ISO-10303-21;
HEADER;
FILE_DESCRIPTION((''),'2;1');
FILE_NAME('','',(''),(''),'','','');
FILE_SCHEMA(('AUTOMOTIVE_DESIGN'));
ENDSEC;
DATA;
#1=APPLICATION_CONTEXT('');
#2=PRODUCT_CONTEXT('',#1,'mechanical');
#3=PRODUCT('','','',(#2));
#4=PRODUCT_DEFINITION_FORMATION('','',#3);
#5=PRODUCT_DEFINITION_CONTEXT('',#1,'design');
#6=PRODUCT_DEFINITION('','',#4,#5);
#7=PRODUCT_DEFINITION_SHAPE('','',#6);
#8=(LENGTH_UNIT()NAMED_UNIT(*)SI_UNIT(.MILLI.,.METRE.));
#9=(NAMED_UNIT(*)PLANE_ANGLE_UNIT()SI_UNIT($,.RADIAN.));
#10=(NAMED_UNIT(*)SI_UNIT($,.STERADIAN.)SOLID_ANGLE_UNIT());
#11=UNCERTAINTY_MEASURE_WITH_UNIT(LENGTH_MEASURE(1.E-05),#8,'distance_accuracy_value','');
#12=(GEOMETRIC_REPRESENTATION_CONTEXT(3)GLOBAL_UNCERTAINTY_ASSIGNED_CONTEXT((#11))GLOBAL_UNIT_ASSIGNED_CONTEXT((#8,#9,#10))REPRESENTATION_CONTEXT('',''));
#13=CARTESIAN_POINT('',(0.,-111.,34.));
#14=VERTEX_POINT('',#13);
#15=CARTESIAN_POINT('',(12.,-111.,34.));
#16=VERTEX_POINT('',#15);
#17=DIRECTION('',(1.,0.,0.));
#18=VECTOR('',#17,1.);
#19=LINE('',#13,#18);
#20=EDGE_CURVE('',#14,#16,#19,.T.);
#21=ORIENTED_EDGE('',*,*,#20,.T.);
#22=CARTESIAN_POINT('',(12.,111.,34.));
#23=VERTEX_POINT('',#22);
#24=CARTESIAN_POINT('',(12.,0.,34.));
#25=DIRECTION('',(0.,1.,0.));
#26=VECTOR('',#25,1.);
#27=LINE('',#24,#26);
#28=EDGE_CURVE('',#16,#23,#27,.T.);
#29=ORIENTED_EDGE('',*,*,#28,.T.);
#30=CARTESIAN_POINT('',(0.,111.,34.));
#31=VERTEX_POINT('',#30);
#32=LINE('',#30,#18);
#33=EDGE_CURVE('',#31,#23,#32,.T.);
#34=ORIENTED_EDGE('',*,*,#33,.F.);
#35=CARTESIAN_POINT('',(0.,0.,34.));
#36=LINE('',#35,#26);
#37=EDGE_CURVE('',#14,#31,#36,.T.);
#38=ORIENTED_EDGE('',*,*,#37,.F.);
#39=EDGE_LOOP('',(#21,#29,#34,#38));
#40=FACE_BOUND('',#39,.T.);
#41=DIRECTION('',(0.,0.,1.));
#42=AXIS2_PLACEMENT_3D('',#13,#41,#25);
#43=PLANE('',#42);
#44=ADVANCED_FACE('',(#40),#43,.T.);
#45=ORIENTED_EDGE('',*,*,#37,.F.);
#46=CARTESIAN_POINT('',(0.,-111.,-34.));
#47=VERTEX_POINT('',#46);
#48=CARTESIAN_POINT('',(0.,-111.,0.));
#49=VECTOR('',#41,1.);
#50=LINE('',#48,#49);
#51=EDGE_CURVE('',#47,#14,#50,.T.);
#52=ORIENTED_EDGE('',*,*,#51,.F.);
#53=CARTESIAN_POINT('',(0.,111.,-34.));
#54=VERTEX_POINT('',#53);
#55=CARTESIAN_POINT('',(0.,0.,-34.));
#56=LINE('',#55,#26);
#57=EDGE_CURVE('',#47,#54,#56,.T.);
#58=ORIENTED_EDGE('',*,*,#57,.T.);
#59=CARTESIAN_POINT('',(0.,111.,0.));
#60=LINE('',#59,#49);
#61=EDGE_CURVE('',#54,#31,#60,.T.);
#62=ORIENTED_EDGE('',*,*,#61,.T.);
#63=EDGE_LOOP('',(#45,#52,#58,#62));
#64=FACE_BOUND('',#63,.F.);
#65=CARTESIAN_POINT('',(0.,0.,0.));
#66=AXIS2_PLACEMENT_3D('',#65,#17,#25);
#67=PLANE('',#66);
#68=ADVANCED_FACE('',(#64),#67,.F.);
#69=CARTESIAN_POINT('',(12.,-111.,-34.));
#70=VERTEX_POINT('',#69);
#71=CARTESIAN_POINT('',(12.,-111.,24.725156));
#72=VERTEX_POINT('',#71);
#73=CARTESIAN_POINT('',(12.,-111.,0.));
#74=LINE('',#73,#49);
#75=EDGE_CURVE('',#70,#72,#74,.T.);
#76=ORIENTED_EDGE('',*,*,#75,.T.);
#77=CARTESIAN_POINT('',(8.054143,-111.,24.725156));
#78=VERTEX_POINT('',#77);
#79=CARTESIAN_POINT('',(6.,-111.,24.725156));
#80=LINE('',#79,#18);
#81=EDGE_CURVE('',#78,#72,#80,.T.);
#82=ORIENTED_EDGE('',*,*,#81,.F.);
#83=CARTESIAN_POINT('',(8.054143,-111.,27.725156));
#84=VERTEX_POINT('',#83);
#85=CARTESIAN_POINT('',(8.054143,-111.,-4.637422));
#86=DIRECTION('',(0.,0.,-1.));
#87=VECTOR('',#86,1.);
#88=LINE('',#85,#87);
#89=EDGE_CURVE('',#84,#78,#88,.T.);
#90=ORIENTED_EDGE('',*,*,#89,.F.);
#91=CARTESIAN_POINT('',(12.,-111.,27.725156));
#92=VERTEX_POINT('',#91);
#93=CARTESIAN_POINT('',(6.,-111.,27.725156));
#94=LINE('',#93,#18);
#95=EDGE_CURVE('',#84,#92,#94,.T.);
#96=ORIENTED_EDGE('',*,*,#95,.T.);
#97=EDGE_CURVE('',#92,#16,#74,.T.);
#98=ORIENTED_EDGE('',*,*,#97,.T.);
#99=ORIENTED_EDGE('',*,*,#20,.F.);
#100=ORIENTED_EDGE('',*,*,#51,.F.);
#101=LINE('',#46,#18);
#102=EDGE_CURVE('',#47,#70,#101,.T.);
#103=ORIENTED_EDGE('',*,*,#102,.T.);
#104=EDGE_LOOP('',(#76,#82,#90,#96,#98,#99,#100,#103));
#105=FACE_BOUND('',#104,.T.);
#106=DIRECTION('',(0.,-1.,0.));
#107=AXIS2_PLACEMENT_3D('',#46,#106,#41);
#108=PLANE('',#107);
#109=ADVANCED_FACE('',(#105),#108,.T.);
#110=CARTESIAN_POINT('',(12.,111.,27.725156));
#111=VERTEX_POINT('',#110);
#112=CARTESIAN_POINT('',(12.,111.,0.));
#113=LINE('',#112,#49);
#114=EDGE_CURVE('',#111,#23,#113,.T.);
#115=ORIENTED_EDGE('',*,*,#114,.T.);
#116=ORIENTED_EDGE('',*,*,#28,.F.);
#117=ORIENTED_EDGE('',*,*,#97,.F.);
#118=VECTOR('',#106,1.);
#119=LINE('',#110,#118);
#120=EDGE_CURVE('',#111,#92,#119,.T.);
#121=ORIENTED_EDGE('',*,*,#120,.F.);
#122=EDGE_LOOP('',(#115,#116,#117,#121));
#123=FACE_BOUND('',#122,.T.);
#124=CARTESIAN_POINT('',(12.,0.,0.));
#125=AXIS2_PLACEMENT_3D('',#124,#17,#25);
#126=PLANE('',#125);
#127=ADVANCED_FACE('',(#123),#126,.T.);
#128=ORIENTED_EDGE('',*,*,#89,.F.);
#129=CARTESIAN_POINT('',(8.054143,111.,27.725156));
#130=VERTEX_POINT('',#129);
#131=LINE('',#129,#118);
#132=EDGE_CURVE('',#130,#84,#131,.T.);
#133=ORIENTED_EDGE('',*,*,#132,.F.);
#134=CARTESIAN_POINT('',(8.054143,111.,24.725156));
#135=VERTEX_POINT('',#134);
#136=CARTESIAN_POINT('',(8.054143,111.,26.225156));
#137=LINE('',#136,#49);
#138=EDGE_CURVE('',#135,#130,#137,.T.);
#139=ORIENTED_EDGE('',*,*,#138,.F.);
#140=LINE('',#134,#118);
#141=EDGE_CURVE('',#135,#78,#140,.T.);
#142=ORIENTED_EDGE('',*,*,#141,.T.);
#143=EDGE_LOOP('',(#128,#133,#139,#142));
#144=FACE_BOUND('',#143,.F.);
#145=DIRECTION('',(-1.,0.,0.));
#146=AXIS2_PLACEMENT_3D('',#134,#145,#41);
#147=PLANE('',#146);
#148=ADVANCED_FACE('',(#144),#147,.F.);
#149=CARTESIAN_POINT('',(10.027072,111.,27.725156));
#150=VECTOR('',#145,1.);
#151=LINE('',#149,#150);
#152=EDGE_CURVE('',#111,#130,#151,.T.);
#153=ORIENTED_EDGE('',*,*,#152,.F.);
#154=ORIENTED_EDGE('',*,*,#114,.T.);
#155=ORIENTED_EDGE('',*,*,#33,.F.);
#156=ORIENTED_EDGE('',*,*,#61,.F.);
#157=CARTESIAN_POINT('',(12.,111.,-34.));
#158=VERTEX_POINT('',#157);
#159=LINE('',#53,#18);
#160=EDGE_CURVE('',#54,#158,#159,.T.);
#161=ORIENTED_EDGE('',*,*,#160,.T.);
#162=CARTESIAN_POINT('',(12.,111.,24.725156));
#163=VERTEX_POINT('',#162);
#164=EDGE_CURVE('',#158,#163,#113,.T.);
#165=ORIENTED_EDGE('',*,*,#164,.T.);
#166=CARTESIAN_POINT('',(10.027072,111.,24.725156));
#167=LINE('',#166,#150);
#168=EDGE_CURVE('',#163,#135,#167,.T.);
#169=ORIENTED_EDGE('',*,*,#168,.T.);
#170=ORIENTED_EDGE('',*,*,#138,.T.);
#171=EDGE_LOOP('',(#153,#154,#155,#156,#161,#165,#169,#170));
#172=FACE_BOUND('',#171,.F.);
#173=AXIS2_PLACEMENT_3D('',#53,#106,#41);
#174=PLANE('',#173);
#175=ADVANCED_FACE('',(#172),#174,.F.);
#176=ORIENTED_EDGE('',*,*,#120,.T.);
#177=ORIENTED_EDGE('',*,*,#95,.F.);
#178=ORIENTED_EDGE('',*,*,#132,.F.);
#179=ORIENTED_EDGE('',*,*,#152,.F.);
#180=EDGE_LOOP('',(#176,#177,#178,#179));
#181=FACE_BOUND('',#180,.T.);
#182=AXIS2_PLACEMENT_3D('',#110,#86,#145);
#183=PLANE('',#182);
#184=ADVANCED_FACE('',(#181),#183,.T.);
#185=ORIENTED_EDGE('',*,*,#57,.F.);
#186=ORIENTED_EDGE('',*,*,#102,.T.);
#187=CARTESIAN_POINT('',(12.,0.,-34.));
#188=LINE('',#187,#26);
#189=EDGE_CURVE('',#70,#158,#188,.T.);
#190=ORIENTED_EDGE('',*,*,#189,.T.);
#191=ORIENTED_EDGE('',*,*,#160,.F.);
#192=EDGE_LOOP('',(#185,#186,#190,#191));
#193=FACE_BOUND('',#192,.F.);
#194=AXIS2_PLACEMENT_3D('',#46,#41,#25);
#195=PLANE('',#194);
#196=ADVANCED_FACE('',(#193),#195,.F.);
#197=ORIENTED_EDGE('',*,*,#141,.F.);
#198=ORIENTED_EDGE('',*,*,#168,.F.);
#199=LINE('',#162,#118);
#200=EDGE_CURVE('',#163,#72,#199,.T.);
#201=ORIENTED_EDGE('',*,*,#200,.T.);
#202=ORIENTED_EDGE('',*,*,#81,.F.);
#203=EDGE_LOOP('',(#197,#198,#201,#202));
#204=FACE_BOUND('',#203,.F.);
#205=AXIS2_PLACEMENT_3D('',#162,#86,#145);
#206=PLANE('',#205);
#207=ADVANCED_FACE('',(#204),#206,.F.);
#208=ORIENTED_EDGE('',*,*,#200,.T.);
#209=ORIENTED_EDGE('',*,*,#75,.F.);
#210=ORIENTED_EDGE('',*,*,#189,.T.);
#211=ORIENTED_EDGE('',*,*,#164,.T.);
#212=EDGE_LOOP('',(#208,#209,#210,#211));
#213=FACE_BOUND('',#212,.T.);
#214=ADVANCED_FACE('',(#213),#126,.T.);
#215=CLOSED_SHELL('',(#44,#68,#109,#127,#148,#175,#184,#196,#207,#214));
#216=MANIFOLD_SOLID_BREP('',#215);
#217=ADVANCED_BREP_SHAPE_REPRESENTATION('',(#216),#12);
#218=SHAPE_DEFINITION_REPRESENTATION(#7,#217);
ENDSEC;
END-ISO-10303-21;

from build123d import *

# Parameters (mm, degrees)
F0_W     = 222
F0_H     = 68
F1_DEPTH = 12
F2_W     = 3.9458565631
F2_H     = 3
F3_DEPTH = 300


with BuildPart() as f1:
    # F0 (on Right) → F1 (new body)
    with BuildSketch(Plane.YZ):
        Rectangle(F0_W, F0_H)
    extrude(amount=F1_DEPTH)

    # F2 (on face) → F3 (cut)
    with BuildSketch(Plane(origin=(0, 111, 0), x_dir=(-1, 0, 0), z_dir=(0, 1, 0))):
        with Locations((-10.0270717184, 26.2251563966)):
            Rectangle(F2_W, F2_H)
    extrude(amount=-F3_DEPTH, mode=Mode.SUBTRACT)


solid = f1.part
